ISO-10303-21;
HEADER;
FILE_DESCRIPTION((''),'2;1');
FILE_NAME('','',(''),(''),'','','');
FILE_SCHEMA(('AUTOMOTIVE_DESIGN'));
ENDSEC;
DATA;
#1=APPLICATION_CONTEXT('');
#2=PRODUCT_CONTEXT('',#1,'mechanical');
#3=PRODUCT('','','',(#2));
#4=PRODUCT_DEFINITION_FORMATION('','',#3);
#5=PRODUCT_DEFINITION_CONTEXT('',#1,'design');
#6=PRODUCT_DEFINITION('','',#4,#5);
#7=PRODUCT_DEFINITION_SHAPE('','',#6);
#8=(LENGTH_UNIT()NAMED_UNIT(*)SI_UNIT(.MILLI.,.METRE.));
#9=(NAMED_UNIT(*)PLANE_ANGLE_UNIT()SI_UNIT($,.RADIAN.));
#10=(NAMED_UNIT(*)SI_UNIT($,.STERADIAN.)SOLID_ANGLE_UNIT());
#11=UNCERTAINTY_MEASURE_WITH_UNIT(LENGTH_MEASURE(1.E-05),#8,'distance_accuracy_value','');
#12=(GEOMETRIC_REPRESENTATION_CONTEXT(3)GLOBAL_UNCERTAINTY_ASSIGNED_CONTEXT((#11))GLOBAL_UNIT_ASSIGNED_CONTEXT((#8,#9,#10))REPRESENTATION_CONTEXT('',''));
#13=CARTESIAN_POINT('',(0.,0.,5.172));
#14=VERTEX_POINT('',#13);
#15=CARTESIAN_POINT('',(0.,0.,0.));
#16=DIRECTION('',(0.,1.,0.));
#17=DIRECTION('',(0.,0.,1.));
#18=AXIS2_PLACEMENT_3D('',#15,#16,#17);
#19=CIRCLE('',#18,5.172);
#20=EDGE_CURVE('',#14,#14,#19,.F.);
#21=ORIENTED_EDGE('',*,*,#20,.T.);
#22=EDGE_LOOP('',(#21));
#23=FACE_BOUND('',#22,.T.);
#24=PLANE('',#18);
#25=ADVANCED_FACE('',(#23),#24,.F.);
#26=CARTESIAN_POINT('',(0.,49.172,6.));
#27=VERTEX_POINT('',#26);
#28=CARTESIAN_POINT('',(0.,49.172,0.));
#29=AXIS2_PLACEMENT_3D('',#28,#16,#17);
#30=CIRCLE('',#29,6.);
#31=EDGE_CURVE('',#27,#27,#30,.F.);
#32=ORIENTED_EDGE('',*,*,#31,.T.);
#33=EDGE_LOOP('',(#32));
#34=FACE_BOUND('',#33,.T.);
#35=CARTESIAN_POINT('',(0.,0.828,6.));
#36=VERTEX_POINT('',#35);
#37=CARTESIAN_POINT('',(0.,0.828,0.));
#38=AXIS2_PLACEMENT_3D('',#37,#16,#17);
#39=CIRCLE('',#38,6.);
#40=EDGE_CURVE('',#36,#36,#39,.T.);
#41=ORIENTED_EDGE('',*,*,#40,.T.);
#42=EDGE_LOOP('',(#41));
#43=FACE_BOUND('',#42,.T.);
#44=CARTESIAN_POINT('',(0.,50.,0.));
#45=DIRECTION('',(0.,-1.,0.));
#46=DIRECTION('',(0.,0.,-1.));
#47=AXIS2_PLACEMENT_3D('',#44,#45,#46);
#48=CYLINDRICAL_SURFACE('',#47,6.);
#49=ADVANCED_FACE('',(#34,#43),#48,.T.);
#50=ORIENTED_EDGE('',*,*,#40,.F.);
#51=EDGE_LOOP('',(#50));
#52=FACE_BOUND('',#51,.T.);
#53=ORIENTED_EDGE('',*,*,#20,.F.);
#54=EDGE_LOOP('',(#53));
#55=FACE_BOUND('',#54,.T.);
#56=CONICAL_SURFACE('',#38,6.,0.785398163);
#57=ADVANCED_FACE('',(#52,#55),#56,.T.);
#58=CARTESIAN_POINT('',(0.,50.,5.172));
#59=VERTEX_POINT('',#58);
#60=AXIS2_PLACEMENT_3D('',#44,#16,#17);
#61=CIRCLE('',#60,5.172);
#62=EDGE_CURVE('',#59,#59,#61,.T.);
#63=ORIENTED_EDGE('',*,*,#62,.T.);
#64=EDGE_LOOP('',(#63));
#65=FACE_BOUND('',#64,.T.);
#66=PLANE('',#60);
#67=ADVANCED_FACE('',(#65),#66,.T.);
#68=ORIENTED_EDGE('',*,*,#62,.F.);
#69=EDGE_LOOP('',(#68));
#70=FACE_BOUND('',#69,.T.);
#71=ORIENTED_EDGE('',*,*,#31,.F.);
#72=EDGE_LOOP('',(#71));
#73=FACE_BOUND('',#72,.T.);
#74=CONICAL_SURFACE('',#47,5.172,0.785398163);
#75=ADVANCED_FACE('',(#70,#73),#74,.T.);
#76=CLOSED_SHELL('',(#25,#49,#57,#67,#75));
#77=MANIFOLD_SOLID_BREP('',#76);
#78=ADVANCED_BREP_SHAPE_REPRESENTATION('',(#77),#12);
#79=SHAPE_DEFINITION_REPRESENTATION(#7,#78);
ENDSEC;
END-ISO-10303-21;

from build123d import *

# Parameters (mm, degrees)
SKETCH_1_R      = 6
EXTRUDE_1_DEPTH = 50
CHAMFER_1_SIZE  = 0.828


with BuildPart() as part:
    # Эскиз1 → Бобышка-Вытянуть1 (new body)
    with BuildSketch(Plane(origin=(0, 0, 0), x_dir=(1, 0, 0), z_dir=(0, 1, 0))):
        with Locations(Location((0, 0, 0), (0, 0, 270))):
            Circle(SKETCH_1_R)
    extrude(amount=EXTRUDE_1_DEPTH)

    # Фаска1
    chamfer_1_edges = [part.edges().sort_by_distance(p)[0] for p in [
        (0, 0, -6),
        (0, 50, -6),
    ]]
    chamfer(chamfer_1_edges, length=CHAMFER_1_SIZE)


solid = part.part
